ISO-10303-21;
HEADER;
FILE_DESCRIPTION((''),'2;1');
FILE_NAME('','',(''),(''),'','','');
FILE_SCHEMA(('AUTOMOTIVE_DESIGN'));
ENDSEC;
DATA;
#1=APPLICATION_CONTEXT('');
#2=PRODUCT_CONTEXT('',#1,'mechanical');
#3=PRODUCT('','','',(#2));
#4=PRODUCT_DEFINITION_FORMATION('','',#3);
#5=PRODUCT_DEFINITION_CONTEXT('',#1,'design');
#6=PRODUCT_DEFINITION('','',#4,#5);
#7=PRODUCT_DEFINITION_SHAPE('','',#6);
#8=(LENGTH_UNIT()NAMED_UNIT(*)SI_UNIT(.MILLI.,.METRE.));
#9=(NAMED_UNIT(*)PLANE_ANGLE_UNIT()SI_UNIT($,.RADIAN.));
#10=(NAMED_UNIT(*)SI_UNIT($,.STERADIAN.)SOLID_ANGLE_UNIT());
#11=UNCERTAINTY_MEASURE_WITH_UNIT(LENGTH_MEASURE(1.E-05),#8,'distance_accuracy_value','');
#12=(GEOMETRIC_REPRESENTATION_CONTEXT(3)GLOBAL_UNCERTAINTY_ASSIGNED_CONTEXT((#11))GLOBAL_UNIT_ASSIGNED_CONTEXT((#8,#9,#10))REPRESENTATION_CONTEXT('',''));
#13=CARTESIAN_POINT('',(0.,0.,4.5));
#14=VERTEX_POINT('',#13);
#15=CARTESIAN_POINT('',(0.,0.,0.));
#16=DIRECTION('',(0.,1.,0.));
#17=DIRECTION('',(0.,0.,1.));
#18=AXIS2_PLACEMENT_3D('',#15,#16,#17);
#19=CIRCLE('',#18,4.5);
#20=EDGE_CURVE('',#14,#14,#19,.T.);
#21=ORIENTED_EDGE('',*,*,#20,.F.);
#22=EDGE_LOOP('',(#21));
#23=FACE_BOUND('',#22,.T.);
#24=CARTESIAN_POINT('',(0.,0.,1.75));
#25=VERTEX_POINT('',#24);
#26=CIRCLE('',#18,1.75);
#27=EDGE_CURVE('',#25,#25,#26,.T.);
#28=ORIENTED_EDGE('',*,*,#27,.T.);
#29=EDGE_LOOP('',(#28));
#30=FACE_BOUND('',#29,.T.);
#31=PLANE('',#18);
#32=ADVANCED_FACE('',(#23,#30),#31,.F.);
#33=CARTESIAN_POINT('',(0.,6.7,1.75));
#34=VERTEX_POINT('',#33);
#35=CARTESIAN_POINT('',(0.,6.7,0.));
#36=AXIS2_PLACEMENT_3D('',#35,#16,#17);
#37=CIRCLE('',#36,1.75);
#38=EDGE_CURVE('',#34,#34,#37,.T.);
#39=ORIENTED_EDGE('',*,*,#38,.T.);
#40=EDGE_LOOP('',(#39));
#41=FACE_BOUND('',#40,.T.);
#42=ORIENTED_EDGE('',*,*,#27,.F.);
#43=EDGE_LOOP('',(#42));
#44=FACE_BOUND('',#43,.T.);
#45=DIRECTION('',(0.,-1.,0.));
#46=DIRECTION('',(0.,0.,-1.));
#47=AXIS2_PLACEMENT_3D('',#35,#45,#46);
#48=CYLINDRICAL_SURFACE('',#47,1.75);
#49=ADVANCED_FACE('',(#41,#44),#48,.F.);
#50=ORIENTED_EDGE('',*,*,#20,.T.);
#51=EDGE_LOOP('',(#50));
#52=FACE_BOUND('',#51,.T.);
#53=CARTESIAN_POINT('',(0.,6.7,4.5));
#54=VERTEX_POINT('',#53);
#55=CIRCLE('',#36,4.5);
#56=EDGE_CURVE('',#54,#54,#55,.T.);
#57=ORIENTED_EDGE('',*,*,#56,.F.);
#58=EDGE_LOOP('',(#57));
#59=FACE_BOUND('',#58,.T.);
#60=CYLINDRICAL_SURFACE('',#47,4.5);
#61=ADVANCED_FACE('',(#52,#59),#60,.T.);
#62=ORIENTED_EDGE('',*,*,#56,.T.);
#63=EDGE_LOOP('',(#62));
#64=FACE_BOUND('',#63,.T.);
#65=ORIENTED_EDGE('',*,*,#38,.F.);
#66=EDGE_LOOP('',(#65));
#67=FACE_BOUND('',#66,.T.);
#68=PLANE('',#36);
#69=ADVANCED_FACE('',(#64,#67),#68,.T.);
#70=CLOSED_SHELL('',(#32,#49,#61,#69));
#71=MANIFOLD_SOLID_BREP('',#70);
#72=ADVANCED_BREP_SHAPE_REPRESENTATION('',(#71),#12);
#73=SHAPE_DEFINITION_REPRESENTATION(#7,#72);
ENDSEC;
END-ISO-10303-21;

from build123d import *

# Parameters (mm, degrees)
SKETCH_2_R      = 4.5
SKETCH_2_R_2    = 1.75
EXTRUDE_1_DEPTH = 6.7


with BuildPart() as part:
    # 草图2 → 凸台-拉伸1 (new body)
    with BuildSketch(Plane(origin=(0, 0, 0), x_dir=(1, 0, 0), z_dir=(0, 1, 0))):
        with Locations(Location((0, 0, 0), (0, 0, 270))):
            Circle(SKETCH_2_R)
        with Locations(Location((0, 0, 0), (0, 0, 270))):
            Circle(SKETCH_2_R_2, mode=Mode.SUBTRACT)
    extrude(amount=EXTRUDE_1_DEPTH)


solid = part.part
